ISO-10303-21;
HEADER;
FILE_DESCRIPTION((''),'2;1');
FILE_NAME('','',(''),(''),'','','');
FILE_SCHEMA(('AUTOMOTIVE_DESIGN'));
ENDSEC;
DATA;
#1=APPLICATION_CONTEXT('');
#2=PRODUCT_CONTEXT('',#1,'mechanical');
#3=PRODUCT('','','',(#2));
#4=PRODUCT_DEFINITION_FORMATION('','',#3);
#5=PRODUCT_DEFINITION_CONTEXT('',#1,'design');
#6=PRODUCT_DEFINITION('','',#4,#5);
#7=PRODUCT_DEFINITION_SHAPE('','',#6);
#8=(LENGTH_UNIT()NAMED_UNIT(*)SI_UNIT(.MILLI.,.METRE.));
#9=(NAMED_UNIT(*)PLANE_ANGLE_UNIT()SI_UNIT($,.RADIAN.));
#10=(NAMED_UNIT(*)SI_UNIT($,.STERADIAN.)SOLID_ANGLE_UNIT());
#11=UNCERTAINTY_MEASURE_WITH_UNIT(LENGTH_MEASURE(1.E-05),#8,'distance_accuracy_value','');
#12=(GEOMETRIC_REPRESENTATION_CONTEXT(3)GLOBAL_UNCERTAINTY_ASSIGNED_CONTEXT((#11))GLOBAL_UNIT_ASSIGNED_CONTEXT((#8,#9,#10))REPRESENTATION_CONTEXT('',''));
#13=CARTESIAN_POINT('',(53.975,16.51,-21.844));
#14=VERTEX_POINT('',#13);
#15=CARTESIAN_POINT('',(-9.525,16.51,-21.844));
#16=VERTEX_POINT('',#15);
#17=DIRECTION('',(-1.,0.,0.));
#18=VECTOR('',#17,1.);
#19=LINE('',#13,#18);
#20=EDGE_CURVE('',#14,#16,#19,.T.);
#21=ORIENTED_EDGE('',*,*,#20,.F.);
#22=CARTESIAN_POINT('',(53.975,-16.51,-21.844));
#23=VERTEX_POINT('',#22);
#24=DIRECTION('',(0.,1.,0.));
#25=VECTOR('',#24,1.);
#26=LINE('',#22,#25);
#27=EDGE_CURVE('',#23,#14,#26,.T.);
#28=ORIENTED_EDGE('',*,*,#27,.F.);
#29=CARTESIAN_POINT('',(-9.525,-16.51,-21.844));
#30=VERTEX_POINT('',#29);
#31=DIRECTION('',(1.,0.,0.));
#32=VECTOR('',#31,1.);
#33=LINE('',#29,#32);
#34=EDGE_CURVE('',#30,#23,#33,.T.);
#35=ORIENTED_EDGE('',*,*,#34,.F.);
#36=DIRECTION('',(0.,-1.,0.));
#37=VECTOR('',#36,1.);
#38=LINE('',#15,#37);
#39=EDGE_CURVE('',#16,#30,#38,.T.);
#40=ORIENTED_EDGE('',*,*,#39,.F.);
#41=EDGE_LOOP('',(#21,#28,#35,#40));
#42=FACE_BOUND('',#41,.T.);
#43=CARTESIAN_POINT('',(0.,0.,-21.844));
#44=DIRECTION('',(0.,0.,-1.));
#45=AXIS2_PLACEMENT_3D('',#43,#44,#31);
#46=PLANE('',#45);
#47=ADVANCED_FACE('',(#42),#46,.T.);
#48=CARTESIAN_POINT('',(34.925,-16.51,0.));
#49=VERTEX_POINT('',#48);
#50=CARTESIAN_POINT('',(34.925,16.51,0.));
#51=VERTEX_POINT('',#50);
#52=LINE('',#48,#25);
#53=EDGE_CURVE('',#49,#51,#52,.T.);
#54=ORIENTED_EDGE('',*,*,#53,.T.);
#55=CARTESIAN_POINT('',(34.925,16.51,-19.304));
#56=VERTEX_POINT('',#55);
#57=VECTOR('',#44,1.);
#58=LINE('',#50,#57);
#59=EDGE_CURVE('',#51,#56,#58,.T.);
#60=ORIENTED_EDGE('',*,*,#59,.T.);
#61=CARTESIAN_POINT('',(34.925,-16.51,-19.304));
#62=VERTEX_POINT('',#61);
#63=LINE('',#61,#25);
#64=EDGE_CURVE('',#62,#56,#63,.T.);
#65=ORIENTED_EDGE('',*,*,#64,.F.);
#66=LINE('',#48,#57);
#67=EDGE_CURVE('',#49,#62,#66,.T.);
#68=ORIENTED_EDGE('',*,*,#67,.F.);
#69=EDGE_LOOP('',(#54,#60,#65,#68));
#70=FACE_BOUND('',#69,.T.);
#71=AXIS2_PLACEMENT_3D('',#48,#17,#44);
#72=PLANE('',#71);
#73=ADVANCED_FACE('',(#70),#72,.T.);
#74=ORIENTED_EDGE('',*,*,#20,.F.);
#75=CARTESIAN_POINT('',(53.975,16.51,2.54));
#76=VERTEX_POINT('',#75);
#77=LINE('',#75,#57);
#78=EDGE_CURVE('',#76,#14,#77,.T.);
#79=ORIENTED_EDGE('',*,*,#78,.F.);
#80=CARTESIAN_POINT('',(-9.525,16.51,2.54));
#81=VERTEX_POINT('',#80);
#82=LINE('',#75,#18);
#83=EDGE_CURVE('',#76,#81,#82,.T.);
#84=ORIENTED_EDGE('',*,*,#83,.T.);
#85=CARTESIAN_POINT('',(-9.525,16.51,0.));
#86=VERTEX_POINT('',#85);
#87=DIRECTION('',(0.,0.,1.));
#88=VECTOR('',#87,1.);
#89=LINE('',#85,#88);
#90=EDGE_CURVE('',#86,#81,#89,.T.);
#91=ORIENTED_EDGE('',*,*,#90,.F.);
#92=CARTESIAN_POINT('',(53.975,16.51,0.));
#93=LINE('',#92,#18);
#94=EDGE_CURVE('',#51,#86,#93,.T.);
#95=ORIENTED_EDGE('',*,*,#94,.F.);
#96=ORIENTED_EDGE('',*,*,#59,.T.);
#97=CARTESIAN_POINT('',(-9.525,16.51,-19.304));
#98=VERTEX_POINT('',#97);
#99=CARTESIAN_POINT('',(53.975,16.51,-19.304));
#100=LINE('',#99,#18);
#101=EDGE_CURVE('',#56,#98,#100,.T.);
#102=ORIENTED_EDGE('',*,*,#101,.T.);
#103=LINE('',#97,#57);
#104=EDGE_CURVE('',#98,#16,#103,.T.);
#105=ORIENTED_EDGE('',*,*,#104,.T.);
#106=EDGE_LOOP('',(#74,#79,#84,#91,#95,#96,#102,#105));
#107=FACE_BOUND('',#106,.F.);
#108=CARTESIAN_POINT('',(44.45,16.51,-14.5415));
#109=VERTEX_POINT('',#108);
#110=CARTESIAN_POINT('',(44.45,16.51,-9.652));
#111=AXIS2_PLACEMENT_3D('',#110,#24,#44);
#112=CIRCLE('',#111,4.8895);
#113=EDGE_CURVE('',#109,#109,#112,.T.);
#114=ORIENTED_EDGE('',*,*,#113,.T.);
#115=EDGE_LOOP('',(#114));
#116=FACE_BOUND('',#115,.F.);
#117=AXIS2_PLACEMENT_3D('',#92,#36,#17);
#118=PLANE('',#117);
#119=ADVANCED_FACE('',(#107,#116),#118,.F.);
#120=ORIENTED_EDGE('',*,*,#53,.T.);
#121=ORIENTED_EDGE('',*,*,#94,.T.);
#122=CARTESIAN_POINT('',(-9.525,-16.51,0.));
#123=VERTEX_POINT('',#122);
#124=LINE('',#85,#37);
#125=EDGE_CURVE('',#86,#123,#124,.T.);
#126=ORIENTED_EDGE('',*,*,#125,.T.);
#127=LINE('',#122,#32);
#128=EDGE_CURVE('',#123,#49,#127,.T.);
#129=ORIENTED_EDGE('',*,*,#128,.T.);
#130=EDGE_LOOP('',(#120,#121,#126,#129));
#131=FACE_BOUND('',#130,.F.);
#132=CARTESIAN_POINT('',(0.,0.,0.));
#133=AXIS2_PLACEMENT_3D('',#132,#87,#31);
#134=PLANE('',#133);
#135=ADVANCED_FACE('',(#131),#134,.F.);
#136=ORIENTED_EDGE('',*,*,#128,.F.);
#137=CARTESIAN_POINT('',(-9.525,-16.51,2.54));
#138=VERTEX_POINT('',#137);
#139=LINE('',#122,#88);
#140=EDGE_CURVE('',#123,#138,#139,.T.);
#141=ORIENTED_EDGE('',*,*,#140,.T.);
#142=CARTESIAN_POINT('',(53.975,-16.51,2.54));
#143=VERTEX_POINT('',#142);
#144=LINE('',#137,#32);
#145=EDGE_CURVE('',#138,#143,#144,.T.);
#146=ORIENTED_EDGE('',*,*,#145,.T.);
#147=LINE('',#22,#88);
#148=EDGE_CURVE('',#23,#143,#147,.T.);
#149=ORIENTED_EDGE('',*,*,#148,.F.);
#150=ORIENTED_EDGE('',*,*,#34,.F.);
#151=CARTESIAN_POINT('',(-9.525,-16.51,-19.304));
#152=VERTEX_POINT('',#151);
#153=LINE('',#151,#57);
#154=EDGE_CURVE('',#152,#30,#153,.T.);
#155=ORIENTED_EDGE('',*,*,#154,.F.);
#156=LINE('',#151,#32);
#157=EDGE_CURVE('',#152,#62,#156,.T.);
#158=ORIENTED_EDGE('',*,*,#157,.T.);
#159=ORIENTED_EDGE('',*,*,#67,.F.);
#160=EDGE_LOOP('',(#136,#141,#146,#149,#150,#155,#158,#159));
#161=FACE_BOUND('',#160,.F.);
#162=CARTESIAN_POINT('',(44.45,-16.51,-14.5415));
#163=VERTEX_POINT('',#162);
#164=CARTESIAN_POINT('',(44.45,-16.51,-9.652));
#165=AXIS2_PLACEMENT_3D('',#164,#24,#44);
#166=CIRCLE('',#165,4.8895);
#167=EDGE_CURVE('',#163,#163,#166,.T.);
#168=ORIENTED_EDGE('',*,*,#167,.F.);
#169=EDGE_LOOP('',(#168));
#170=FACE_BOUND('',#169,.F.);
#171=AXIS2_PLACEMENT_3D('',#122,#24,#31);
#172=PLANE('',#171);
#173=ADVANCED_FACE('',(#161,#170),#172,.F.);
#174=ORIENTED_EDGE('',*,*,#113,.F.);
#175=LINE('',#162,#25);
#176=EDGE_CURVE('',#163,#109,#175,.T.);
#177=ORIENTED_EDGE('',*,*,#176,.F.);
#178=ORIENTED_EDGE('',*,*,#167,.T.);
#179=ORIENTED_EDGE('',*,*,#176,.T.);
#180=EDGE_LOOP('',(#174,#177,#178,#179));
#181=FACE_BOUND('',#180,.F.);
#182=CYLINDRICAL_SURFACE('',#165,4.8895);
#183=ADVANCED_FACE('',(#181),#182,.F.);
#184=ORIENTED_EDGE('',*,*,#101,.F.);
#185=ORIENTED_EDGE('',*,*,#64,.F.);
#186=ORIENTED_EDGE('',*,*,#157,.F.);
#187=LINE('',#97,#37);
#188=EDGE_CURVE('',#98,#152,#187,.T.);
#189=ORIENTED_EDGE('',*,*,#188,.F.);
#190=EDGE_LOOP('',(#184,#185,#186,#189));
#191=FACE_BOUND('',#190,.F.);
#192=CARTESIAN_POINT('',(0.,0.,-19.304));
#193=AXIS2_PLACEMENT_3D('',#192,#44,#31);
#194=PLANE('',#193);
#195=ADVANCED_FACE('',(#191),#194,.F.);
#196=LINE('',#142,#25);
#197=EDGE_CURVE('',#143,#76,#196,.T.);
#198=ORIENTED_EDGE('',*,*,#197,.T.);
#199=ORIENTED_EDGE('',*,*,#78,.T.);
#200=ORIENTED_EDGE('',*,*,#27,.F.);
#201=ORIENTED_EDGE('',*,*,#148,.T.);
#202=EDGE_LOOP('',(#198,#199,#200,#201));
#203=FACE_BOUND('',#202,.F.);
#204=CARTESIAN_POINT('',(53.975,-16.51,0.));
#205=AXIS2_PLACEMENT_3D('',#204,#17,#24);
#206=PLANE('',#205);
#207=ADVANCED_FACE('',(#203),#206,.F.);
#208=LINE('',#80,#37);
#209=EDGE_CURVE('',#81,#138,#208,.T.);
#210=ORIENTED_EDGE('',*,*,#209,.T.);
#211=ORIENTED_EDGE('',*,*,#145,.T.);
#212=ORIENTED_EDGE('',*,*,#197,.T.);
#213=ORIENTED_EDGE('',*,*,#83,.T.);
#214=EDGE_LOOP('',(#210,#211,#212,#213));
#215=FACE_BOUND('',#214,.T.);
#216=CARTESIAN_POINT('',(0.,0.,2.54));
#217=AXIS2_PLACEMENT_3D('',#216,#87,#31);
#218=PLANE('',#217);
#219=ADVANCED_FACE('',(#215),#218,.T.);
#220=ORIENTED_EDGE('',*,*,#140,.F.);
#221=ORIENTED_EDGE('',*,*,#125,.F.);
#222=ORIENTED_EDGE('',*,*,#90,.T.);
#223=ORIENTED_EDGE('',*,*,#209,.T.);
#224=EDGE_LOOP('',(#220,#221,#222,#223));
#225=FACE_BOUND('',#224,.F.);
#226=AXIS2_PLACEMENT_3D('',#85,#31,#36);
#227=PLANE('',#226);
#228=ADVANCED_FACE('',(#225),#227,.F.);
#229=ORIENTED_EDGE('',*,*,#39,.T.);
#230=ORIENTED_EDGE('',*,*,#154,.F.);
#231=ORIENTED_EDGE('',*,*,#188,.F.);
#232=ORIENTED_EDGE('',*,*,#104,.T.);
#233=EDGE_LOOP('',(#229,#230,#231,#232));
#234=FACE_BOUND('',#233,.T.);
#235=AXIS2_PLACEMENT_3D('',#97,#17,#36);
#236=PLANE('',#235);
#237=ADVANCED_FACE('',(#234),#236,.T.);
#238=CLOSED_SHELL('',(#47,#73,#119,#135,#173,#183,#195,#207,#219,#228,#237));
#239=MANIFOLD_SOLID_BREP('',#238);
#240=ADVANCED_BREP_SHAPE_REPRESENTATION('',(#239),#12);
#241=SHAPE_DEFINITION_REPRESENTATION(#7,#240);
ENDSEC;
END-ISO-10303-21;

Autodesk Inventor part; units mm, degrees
ref_plane "YZ Plane" through (0, 0, 0) normal (1, 0, 0) x (0, 1, 0)
ref_plane "XZ Plane" through (0, 0, 0) normal (0, 1, 0) x (-1, 0, 0)
ref_plane "XY Plane" through (0, 0, 0) normal (0, 0, 1) x (1, 0, 0)
ref_plane "Work Plane1" through (0, 0, 0) normal (0, 0, 1) x (1, 0, 0)
sketch "Sketch1" plane through (0, 0, 0) normal (0, 0, 1) x (1, 0, 0)
  line L0 (3, 16.51) -> (-3, 16.51) construction
  line L1 (-3, -16.51) -> (3, -16.51) construction
  line L2 (-9.525, -16.51) -> (-9.525, 173.99) construction
  line L3 (9.525, -16.51) -> (9.525, 173.99) construction
  line L4 (-9.525, -16.51) -> (53.975, -16.51)
  line L5 (53.975, -16.51) -> (53.975, 16.51)
  line L6 (53.975, 16.51) -> (-9.525, 16.51)
  line L7 (-9.525, 16.51) -> (-9.525, -16.51)
  point P0 (0, 0)
  dimension "d0" = 63.5
extrude "Extrusion1" add sketch "Sketch1" along normal blind 2.54
ref_plane "Work Plane2" through (0, 0, -19.304) normal (0, 0, -1) x (1, 0, 0)
sketch "Sketch2" plane through (0, 0, -19.304) normal (0, 0, -1) x (1, 0, 0)
  line L0 (-9.525, 16.51) -> (53.975, 16.51) projected
  line L1 (53.975, -16.51) -> (-9.525, -16.51) projected
  line L2 (-9.525, 16.51) -> (53.975, 16.51)
  line L3 (53.975, 16.51) -> (53.975, -16.51)
  line L4 (53.975, -16.51) -> (-9.525, -16.51)
  line L5 (-9.525, -16.51) -> (-9.525, 16.51)
  point P0 (0, 0)
  dimension "d3" = 63.5
extrude "Extrusion2" add sketch "Sketch2" along normal blind 2.54
sketch "Sketch3" plane through (-9.525, -16.51, 0) normal (0, -1, 0) x (1, 0, 0)
  line L0 (63.5, 0) -> (0, 0) projected
  line L1 (0, -19.304) -> (63.5, -19.304) projected
  line L2 (63.5, 0) -> (44.45, 0)
  line L3 (44.45, 0) -> (44.45, -19.304)
  line L4 (44.45, -19.304) -> (63.5, -19.304)
  line L5 (63.5, -19.304) -> (63.5, 0)
  point P0 (9.525, 0)
  dimension "d6" = 19.05
extrude "Extrusion3" add sketch "Sketch3" against normal blind 33.02
sketch "Sketch4" plane through (-9.525, -16.51, 2.54) normal (0, -1, 0) x (1, 0, 0)
  line L0 (44.45, -21.844) -> (44.45, -2.54) construction
  line L1 (44.45, -12.192) -> (63.5, -12.192) construction
  point P0 (9.525, -2.54)
  point P1 (53.975, -12.192)
hole "Hole1" at (44.45, -16.51, -9.652) direction (0, 1, 0) diameter 9.779 end through all
properties part number "XRailVerticalExtension"
